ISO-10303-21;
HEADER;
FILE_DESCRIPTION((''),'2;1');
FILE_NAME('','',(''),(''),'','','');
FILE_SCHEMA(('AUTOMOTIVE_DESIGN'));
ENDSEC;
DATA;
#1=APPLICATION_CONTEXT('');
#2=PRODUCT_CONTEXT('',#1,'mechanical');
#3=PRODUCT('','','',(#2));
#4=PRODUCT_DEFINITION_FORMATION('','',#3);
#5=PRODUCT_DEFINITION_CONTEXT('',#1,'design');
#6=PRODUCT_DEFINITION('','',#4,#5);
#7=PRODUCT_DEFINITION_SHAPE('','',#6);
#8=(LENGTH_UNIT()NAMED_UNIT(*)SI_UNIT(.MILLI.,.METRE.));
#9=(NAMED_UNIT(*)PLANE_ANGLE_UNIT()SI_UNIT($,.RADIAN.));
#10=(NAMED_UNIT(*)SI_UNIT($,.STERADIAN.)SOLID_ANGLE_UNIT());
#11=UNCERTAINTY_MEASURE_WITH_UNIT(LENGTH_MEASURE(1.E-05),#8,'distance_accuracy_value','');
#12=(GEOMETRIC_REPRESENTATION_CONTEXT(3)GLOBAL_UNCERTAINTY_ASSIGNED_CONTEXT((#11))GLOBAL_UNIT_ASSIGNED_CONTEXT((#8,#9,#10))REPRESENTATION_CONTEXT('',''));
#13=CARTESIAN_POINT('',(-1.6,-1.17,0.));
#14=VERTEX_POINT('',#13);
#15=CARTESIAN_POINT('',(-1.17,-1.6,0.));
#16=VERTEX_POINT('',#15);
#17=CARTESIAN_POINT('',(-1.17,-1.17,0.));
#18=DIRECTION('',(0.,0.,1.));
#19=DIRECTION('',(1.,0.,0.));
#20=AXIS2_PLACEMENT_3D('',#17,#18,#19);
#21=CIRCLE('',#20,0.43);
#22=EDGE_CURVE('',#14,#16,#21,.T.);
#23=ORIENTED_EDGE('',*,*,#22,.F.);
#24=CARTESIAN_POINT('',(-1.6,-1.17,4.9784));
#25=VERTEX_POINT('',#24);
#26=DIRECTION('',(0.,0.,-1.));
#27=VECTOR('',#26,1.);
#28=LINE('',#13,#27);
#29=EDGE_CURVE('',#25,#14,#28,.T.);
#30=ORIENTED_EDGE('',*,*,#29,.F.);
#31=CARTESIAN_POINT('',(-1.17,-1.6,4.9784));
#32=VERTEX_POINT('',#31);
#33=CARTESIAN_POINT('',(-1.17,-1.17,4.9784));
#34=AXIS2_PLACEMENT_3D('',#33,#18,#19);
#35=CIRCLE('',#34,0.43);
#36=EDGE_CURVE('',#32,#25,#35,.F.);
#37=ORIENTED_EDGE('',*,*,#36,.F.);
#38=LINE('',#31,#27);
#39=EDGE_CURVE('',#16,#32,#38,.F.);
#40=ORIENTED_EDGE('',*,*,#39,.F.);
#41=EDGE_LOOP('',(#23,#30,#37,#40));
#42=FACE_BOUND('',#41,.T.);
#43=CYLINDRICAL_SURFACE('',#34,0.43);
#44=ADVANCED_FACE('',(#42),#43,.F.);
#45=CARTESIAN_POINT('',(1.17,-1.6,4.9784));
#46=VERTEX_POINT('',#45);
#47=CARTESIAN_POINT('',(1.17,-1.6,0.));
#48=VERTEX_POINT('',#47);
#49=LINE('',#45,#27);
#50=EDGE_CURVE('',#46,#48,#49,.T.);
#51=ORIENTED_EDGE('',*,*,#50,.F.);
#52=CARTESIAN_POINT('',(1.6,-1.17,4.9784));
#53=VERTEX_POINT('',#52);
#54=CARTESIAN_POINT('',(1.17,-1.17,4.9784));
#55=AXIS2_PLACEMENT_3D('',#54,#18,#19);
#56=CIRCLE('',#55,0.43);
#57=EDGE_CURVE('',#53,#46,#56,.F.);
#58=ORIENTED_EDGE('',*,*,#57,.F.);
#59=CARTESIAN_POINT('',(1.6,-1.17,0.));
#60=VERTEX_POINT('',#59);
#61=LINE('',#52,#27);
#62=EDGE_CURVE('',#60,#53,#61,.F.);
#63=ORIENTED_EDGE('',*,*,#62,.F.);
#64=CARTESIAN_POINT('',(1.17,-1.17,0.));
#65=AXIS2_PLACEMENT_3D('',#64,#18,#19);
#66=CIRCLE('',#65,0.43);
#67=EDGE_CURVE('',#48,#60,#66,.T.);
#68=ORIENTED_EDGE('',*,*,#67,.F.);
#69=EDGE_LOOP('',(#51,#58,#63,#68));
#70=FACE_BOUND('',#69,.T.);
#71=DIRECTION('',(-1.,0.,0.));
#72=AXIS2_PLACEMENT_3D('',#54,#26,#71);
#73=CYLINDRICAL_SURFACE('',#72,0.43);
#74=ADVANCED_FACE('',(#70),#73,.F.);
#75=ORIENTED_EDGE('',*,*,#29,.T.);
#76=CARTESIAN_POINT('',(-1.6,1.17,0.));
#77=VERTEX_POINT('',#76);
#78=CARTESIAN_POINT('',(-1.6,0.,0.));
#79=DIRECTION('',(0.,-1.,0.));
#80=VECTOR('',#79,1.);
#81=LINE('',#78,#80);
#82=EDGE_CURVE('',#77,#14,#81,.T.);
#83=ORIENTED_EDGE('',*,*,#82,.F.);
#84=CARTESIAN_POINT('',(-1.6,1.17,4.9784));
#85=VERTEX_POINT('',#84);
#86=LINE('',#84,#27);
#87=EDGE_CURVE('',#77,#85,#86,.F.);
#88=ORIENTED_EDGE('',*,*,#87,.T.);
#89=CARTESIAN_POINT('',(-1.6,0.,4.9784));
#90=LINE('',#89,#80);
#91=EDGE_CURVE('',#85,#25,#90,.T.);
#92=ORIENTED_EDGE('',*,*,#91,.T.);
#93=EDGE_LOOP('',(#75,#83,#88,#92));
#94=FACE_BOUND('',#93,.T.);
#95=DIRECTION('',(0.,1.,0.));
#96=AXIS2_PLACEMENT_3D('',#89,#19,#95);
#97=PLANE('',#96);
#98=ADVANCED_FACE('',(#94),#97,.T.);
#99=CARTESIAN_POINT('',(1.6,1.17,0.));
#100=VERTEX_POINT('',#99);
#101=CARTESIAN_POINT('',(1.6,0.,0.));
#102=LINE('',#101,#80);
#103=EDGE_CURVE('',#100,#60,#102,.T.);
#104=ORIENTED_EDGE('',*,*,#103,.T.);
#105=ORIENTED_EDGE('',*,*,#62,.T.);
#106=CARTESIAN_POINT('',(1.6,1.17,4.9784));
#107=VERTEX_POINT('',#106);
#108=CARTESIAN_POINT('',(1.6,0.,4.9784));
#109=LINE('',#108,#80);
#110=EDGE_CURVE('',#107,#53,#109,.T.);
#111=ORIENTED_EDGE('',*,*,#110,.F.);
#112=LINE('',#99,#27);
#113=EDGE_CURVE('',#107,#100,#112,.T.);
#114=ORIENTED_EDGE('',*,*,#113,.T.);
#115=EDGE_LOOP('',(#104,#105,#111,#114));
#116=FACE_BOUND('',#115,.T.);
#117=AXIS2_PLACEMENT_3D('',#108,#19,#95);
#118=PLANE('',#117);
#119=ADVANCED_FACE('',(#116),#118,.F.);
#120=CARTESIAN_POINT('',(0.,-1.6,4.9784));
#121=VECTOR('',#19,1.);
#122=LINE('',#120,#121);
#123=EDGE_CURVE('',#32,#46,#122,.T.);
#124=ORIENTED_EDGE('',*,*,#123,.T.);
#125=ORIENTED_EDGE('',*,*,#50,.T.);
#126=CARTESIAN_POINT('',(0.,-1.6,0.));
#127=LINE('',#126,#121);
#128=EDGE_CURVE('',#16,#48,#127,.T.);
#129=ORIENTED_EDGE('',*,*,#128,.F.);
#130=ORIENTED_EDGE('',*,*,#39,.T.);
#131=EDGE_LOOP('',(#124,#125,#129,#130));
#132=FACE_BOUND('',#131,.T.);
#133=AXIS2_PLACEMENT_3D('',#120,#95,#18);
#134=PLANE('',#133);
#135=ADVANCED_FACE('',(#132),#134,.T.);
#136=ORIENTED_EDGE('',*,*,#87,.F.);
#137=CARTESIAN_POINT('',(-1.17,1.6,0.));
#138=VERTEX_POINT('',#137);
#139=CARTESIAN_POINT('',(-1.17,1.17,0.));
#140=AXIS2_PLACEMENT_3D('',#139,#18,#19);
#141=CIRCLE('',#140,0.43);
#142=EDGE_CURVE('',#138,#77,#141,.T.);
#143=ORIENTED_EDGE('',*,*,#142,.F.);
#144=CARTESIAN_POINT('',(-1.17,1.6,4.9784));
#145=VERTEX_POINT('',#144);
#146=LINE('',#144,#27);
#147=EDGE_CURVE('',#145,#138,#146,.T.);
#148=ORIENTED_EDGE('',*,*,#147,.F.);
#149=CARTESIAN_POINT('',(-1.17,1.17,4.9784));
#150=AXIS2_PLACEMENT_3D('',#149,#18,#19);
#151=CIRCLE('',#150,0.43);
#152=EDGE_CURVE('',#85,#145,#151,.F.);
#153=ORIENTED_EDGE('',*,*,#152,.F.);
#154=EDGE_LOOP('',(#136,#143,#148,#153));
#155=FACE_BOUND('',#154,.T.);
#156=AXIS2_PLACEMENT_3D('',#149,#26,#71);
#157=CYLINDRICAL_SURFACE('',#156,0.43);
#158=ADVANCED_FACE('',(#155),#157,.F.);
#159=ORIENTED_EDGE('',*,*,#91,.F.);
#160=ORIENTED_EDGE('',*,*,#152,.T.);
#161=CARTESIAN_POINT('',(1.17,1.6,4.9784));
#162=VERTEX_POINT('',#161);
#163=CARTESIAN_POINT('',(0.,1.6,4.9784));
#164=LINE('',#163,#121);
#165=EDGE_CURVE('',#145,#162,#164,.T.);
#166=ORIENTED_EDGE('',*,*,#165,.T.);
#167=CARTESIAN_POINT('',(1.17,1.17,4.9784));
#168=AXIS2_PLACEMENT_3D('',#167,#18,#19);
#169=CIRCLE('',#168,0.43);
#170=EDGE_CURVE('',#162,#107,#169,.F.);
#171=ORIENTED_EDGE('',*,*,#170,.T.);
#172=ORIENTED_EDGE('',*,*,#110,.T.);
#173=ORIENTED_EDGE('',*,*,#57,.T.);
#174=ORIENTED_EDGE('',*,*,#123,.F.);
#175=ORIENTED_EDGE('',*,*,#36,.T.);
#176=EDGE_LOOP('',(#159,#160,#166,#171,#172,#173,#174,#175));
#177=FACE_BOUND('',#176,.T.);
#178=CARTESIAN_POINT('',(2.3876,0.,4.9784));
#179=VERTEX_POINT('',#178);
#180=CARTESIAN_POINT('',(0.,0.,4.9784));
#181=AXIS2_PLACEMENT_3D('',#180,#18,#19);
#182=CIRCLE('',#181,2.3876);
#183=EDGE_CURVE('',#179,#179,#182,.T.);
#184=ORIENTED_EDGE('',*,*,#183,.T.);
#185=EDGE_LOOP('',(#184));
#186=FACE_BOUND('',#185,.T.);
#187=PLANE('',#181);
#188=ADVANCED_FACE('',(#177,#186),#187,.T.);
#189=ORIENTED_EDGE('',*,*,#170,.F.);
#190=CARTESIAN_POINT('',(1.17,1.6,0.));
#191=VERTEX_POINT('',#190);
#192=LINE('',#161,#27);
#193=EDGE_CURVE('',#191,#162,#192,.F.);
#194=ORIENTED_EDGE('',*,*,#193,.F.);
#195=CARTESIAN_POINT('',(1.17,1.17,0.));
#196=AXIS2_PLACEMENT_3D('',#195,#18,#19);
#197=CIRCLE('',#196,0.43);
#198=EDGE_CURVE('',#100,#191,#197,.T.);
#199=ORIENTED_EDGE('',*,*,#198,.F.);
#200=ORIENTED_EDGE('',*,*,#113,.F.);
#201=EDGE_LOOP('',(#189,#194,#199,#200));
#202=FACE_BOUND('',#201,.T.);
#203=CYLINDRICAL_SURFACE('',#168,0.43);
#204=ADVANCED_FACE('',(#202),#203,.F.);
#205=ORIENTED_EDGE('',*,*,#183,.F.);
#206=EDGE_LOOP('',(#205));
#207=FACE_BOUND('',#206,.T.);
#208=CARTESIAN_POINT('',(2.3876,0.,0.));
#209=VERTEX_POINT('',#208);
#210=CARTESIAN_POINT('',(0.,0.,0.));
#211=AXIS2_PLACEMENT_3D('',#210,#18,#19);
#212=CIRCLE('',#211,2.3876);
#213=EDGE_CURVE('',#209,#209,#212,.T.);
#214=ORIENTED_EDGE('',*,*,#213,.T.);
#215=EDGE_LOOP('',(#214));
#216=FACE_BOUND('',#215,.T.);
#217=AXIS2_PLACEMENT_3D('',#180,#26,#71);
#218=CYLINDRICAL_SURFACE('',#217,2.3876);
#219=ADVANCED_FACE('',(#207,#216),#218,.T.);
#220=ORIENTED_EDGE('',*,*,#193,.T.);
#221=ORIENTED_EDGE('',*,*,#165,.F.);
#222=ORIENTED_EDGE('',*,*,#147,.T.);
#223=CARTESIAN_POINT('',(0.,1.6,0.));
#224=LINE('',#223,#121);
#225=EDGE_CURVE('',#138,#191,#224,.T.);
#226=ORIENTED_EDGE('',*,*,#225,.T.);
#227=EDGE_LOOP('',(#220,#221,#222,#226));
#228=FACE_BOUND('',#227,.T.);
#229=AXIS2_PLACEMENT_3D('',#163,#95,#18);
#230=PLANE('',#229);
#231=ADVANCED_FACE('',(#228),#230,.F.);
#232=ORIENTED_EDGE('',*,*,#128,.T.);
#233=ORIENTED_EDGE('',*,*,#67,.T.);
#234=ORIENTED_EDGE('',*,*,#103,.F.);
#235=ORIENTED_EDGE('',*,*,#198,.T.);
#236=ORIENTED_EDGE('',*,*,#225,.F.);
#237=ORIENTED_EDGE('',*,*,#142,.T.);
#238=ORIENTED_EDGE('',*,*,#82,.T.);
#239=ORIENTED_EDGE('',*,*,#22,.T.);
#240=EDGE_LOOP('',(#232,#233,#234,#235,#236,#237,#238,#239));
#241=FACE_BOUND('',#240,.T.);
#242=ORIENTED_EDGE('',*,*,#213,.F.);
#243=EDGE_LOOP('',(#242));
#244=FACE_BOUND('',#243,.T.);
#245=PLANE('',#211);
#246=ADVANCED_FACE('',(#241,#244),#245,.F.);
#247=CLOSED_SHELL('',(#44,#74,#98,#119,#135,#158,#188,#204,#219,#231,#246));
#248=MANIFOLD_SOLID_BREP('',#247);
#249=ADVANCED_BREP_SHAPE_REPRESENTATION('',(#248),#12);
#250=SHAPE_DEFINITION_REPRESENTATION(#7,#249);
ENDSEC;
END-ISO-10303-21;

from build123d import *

# Parameters (mm, degrees)
SKETCH1_R           = 2.3876
SKETCH1_W           = 3.2
SKETCH1_H           = 3.2
BOSS_EXTRUDE1_DEPTH = 4.9784
FILLET1_R           = 0.43


with BuildPart() as part:
    # Sketch1 → Boss-Extrude1 (new body)
    with BuildSketch(Plane.XY):
        Circle(SKETCH1_R)
        Rectangle(SKETCH1_W, SKETCH1_H, mode=Mode.SUBTRACT)
    extrude(amount=BOSS_EXTRUDE1_DEPTH)

    # Fillet1
    fillet1_edges = [part.edges().sort_by_distance(p)[0] for p in [
        (-1.6, 1.6, 2.4892),
        (-1.6, -1.6, 2.4892),
        (1.6, -1.6, 2.4892),
        (1.6, 1.6, 2.4892),
    ]]
    fillet(fillet1_edges, radius=FILLET1_R)


solid = part.part
